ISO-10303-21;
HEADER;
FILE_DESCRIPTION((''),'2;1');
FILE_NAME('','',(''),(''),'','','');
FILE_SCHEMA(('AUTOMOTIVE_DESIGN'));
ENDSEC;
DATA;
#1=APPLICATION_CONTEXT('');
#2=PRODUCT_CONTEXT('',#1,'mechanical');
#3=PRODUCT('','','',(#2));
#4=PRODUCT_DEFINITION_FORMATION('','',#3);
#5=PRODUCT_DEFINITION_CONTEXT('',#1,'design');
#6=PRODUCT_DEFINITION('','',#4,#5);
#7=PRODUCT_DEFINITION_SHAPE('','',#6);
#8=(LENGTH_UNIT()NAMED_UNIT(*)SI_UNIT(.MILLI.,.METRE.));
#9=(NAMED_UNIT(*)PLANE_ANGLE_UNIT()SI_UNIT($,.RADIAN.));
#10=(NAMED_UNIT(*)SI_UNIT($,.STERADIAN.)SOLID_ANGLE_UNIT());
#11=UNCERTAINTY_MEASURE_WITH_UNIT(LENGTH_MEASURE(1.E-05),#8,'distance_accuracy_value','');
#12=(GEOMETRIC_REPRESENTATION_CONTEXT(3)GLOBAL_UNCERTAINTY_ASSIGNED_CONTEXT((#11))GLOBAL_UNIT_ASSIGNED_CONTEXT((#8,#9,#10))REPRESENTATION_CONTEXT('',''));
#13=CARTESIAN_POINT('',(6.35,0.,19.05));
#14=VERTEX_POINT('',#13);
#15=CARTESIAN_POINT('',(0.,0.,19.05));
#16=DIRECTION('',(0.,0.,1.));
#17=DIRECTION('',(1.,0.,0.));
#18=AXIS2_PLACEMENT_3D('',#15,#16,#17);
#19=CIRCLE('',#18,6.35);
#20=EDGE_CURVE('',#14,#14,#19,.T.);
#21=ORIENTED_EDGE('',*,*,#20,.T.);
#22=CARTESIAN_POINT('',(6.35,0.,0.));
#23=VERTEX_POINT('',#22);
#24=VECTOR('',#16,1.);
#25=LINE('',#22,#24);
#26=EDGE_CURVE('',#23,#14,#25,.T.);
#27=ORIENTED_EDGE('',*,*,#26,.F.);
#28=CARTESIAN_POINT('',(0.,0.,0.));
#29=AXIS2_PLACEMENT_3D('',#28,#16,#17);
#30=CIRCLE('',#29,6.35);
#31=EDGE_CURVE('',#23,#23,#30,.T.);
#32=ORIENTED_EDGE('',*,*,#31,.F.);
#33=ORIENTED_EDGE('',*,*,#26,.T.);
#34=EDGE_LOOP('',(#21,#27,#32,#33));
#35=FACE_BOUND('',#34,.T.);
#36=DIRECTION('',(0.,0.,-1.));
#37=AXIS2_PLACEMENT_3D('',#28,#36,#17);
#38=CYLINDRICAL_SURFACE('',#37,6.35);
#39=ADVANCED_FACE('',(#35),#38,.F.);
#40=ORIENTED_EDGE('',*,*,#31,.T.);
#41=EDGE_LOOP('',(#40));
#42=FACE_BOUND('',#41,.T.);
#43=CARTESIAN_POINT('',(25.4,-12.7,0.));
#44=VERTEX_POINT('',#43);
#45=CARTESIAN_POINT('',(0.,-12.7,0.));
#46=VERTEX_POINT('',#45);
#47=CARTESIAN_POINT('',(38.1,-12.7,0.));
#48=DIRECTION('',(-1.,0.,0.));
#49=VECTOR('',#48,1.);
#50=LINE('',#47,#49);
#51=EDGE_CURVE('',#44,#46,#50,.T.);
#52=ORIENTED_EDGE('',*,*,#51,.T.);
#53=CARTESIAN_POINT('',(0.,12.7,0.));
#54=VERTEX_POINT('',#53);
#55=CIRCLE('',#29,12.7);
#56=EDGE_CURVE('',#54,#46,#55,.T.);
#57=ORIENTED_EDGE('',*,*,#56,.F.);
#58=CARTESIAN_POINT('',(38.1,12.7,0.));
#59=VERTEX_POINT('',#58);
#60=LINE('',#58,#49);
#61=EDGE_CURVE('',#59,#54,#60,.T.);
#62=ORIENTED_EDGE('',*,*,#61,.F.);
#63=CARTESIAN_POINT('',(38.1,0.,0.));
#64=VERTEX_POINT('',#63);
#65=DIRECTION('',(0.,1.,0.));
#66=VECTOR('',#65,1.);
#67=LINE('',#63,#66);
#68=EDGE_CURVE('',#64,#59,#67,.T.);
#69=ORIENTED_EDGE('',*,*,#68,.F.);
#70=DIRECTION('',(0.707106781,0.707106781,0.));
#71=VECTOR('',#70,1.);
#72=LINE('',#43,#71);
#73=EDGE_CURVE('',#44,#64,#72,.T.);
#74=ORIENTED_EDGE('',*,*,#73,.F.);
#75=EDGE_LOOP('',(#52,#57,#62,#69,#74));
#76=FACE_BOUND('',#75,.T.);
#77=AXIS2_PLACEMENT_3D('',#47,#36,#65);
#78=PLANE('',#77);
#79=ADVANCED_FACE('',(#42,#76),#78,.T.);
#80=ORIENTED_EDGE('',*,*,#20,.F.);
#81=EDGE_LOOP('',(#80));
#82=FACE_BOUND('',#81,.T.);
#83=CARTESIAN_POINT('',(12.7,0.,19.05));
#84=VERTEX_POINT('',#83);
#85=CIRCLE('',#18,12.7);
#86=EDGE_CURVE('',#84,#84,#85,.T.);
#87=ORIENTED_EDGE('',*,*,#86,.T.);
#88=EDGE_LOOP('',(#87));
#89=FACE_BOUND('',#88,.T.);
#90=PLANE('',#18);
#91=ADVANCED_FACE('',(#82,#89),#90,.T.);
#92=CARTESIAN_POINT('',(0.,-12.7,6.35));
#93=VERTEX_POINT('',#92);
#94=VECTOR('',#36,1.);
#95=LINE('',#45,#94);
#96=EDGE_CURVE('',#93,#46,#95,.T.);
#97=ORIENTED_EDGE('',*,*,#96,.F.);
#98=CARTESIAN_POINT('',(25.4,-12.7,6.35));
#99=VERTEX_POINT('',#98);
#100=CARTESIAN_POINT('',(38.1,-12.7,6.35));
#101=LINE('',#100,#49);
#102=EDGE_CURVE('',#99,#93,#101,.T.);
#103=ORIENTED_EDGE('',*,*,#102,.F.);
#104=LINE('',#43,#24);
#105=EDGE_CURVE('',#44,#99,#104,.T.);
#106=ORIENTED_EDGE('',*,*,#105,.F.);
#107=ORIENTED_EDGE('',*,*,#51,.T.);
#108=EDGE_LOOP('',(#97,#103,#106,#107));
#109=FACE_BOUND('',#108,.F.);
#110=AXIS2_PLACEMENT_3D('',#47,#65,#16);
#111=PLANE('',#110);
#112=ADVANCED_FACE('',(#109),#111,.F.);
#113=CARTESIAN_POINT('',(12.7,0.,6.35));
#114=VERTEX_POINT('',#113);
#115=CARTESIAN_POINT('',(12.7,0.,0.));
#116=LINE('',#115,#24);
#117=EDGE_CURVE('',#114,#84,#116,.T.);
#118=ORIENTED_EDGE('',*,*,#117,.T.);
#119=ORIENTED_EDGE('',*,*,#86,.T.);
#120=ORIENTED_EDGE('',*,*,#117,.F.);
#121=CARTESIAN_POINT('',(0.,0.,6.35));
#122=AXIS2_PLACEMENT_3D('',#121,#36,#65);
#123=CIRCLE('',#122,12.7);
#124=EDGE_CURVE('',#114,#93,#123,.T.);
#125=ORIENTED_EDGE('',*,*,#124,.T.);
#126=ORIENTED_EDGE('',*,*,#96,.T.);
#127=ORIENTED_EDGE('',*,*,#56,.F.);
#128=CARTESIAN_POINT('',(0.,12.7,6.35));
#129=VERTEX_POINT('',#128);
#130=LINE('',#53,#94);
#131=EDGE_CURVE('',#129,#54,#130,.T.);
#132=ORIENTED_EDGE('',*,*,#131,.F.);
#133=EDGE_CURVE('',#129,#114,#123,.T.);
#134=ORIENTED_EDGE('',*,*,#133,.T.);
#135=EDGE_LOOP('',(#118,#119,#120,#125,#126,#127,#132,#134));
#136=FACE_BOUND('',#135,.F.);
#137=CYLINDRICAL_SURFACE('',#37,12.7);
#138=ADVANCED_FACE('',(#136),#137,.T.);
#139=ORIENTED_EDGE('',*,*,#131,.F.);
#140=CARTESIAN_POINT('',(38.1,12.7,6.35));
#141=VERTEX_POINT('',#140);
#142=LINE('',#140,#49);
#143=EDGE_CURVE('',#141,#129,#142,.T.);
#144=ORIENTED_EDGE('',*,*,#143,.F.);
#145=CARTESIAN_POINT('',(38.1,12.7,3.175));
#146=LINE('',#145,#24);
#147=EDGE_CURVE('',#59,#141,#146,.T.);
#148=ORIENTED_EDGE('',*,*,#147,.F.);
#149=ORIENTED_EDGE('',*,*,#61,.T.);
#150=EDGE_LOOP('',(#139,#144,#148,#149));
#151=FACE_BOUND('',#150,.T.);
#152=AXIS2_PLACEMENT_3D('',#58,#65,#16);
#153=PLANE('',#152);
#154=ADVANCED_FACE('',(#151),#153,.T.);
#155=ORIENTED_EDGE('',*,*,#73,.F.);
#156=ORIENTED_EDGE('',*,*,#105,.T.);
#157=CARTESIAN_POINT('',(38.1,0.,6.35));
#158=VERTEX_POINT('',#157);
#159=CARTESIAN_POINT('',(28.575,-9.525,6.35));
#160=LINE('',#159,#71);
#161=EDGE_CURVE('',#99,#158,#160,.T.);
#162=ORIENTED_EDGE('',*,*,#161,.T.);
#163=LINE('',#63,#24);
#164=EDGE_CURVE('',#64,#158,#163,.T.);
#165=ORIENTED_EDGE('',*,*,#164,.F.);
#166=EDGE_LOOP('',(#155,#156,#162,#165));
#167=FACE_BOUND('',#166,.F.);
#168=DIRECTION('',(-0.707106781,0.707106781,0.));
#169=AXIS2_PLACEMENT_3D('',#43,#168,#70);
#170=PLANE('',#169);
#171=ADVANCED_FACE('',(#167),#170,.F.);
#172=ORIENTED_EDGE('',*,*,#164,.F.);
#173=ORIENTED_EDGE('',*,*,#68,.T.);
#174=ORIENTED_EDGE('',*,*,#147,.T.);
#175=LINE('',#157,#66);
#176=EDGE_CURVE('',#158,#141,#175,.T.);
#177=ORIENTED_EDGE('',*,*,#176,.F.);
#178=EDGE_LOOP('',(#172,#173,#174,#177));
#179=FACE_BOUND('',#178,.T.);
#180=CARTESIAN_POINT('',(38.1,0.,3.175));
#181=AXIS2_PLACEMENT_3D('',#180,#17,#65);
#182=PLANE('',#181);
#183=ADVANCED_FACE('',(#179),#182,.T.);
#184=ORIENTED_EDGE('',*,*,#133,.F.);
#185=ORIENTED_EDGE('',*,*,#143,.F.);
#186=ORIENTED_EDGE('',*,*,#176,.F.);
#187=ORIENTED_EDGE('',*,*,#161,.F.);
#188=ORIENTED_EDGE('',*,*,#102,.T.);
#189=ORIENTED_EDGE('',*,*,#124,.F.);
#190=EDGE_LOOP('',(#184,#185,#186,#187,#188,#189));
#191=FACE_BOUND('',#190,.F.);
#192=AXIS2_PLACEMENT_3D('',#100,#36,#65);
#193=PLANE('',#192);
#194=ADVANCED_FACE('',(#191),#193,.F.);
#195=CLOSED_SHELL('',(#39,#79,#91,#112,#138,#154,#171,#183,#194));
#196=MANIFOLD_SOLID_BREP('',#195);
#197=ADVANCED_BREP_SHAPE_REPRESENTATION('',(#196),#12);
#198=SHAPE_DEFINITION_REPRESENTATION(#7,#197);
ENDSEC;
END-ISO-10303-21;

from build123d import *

# Parameters (mm, degrees)
F0_R     = 12.7
F0_R_2   = 6.35
F1_DEPTH = 19.05
F3_W     = 25.4
F3_H     = 6.35
F6_DEPTH = 19.051


with BuildPart() as f1:
    # F0 (on Top) → F1 (new body)
    with BuildSketch(Plane.XY):
        Circle(F0_R)
        Circle(F0_R_2, mode=Mode.SUBTRACT)
    extrude(amount=F1_DEPTH)

    # F3 (on offset) → F4 (join, up to the next surface of F1)
    with BuildSketch(Plane.YZ.offset(38.1)):
        with Locations((0, 3.175)):
            Rectangle(F3_W, F3_H)
    extrude(until=Until.NEXT, dir=(-1, 0, 0))

    # F5 (on face) → F6 (cut, through all)
    with BuildSketch(Plane(origin=(0, 0, 0), x_dir=(1, 0, 0), z_dir=(0, 0, -1))):
        Polygon((25.4, 12.7), (38.1, 0), (38.1, 12.7), align=None)
    extrude(amount=-F6_DEPTH, mode=Mode.SUBTRACT)


solid = f1.part
